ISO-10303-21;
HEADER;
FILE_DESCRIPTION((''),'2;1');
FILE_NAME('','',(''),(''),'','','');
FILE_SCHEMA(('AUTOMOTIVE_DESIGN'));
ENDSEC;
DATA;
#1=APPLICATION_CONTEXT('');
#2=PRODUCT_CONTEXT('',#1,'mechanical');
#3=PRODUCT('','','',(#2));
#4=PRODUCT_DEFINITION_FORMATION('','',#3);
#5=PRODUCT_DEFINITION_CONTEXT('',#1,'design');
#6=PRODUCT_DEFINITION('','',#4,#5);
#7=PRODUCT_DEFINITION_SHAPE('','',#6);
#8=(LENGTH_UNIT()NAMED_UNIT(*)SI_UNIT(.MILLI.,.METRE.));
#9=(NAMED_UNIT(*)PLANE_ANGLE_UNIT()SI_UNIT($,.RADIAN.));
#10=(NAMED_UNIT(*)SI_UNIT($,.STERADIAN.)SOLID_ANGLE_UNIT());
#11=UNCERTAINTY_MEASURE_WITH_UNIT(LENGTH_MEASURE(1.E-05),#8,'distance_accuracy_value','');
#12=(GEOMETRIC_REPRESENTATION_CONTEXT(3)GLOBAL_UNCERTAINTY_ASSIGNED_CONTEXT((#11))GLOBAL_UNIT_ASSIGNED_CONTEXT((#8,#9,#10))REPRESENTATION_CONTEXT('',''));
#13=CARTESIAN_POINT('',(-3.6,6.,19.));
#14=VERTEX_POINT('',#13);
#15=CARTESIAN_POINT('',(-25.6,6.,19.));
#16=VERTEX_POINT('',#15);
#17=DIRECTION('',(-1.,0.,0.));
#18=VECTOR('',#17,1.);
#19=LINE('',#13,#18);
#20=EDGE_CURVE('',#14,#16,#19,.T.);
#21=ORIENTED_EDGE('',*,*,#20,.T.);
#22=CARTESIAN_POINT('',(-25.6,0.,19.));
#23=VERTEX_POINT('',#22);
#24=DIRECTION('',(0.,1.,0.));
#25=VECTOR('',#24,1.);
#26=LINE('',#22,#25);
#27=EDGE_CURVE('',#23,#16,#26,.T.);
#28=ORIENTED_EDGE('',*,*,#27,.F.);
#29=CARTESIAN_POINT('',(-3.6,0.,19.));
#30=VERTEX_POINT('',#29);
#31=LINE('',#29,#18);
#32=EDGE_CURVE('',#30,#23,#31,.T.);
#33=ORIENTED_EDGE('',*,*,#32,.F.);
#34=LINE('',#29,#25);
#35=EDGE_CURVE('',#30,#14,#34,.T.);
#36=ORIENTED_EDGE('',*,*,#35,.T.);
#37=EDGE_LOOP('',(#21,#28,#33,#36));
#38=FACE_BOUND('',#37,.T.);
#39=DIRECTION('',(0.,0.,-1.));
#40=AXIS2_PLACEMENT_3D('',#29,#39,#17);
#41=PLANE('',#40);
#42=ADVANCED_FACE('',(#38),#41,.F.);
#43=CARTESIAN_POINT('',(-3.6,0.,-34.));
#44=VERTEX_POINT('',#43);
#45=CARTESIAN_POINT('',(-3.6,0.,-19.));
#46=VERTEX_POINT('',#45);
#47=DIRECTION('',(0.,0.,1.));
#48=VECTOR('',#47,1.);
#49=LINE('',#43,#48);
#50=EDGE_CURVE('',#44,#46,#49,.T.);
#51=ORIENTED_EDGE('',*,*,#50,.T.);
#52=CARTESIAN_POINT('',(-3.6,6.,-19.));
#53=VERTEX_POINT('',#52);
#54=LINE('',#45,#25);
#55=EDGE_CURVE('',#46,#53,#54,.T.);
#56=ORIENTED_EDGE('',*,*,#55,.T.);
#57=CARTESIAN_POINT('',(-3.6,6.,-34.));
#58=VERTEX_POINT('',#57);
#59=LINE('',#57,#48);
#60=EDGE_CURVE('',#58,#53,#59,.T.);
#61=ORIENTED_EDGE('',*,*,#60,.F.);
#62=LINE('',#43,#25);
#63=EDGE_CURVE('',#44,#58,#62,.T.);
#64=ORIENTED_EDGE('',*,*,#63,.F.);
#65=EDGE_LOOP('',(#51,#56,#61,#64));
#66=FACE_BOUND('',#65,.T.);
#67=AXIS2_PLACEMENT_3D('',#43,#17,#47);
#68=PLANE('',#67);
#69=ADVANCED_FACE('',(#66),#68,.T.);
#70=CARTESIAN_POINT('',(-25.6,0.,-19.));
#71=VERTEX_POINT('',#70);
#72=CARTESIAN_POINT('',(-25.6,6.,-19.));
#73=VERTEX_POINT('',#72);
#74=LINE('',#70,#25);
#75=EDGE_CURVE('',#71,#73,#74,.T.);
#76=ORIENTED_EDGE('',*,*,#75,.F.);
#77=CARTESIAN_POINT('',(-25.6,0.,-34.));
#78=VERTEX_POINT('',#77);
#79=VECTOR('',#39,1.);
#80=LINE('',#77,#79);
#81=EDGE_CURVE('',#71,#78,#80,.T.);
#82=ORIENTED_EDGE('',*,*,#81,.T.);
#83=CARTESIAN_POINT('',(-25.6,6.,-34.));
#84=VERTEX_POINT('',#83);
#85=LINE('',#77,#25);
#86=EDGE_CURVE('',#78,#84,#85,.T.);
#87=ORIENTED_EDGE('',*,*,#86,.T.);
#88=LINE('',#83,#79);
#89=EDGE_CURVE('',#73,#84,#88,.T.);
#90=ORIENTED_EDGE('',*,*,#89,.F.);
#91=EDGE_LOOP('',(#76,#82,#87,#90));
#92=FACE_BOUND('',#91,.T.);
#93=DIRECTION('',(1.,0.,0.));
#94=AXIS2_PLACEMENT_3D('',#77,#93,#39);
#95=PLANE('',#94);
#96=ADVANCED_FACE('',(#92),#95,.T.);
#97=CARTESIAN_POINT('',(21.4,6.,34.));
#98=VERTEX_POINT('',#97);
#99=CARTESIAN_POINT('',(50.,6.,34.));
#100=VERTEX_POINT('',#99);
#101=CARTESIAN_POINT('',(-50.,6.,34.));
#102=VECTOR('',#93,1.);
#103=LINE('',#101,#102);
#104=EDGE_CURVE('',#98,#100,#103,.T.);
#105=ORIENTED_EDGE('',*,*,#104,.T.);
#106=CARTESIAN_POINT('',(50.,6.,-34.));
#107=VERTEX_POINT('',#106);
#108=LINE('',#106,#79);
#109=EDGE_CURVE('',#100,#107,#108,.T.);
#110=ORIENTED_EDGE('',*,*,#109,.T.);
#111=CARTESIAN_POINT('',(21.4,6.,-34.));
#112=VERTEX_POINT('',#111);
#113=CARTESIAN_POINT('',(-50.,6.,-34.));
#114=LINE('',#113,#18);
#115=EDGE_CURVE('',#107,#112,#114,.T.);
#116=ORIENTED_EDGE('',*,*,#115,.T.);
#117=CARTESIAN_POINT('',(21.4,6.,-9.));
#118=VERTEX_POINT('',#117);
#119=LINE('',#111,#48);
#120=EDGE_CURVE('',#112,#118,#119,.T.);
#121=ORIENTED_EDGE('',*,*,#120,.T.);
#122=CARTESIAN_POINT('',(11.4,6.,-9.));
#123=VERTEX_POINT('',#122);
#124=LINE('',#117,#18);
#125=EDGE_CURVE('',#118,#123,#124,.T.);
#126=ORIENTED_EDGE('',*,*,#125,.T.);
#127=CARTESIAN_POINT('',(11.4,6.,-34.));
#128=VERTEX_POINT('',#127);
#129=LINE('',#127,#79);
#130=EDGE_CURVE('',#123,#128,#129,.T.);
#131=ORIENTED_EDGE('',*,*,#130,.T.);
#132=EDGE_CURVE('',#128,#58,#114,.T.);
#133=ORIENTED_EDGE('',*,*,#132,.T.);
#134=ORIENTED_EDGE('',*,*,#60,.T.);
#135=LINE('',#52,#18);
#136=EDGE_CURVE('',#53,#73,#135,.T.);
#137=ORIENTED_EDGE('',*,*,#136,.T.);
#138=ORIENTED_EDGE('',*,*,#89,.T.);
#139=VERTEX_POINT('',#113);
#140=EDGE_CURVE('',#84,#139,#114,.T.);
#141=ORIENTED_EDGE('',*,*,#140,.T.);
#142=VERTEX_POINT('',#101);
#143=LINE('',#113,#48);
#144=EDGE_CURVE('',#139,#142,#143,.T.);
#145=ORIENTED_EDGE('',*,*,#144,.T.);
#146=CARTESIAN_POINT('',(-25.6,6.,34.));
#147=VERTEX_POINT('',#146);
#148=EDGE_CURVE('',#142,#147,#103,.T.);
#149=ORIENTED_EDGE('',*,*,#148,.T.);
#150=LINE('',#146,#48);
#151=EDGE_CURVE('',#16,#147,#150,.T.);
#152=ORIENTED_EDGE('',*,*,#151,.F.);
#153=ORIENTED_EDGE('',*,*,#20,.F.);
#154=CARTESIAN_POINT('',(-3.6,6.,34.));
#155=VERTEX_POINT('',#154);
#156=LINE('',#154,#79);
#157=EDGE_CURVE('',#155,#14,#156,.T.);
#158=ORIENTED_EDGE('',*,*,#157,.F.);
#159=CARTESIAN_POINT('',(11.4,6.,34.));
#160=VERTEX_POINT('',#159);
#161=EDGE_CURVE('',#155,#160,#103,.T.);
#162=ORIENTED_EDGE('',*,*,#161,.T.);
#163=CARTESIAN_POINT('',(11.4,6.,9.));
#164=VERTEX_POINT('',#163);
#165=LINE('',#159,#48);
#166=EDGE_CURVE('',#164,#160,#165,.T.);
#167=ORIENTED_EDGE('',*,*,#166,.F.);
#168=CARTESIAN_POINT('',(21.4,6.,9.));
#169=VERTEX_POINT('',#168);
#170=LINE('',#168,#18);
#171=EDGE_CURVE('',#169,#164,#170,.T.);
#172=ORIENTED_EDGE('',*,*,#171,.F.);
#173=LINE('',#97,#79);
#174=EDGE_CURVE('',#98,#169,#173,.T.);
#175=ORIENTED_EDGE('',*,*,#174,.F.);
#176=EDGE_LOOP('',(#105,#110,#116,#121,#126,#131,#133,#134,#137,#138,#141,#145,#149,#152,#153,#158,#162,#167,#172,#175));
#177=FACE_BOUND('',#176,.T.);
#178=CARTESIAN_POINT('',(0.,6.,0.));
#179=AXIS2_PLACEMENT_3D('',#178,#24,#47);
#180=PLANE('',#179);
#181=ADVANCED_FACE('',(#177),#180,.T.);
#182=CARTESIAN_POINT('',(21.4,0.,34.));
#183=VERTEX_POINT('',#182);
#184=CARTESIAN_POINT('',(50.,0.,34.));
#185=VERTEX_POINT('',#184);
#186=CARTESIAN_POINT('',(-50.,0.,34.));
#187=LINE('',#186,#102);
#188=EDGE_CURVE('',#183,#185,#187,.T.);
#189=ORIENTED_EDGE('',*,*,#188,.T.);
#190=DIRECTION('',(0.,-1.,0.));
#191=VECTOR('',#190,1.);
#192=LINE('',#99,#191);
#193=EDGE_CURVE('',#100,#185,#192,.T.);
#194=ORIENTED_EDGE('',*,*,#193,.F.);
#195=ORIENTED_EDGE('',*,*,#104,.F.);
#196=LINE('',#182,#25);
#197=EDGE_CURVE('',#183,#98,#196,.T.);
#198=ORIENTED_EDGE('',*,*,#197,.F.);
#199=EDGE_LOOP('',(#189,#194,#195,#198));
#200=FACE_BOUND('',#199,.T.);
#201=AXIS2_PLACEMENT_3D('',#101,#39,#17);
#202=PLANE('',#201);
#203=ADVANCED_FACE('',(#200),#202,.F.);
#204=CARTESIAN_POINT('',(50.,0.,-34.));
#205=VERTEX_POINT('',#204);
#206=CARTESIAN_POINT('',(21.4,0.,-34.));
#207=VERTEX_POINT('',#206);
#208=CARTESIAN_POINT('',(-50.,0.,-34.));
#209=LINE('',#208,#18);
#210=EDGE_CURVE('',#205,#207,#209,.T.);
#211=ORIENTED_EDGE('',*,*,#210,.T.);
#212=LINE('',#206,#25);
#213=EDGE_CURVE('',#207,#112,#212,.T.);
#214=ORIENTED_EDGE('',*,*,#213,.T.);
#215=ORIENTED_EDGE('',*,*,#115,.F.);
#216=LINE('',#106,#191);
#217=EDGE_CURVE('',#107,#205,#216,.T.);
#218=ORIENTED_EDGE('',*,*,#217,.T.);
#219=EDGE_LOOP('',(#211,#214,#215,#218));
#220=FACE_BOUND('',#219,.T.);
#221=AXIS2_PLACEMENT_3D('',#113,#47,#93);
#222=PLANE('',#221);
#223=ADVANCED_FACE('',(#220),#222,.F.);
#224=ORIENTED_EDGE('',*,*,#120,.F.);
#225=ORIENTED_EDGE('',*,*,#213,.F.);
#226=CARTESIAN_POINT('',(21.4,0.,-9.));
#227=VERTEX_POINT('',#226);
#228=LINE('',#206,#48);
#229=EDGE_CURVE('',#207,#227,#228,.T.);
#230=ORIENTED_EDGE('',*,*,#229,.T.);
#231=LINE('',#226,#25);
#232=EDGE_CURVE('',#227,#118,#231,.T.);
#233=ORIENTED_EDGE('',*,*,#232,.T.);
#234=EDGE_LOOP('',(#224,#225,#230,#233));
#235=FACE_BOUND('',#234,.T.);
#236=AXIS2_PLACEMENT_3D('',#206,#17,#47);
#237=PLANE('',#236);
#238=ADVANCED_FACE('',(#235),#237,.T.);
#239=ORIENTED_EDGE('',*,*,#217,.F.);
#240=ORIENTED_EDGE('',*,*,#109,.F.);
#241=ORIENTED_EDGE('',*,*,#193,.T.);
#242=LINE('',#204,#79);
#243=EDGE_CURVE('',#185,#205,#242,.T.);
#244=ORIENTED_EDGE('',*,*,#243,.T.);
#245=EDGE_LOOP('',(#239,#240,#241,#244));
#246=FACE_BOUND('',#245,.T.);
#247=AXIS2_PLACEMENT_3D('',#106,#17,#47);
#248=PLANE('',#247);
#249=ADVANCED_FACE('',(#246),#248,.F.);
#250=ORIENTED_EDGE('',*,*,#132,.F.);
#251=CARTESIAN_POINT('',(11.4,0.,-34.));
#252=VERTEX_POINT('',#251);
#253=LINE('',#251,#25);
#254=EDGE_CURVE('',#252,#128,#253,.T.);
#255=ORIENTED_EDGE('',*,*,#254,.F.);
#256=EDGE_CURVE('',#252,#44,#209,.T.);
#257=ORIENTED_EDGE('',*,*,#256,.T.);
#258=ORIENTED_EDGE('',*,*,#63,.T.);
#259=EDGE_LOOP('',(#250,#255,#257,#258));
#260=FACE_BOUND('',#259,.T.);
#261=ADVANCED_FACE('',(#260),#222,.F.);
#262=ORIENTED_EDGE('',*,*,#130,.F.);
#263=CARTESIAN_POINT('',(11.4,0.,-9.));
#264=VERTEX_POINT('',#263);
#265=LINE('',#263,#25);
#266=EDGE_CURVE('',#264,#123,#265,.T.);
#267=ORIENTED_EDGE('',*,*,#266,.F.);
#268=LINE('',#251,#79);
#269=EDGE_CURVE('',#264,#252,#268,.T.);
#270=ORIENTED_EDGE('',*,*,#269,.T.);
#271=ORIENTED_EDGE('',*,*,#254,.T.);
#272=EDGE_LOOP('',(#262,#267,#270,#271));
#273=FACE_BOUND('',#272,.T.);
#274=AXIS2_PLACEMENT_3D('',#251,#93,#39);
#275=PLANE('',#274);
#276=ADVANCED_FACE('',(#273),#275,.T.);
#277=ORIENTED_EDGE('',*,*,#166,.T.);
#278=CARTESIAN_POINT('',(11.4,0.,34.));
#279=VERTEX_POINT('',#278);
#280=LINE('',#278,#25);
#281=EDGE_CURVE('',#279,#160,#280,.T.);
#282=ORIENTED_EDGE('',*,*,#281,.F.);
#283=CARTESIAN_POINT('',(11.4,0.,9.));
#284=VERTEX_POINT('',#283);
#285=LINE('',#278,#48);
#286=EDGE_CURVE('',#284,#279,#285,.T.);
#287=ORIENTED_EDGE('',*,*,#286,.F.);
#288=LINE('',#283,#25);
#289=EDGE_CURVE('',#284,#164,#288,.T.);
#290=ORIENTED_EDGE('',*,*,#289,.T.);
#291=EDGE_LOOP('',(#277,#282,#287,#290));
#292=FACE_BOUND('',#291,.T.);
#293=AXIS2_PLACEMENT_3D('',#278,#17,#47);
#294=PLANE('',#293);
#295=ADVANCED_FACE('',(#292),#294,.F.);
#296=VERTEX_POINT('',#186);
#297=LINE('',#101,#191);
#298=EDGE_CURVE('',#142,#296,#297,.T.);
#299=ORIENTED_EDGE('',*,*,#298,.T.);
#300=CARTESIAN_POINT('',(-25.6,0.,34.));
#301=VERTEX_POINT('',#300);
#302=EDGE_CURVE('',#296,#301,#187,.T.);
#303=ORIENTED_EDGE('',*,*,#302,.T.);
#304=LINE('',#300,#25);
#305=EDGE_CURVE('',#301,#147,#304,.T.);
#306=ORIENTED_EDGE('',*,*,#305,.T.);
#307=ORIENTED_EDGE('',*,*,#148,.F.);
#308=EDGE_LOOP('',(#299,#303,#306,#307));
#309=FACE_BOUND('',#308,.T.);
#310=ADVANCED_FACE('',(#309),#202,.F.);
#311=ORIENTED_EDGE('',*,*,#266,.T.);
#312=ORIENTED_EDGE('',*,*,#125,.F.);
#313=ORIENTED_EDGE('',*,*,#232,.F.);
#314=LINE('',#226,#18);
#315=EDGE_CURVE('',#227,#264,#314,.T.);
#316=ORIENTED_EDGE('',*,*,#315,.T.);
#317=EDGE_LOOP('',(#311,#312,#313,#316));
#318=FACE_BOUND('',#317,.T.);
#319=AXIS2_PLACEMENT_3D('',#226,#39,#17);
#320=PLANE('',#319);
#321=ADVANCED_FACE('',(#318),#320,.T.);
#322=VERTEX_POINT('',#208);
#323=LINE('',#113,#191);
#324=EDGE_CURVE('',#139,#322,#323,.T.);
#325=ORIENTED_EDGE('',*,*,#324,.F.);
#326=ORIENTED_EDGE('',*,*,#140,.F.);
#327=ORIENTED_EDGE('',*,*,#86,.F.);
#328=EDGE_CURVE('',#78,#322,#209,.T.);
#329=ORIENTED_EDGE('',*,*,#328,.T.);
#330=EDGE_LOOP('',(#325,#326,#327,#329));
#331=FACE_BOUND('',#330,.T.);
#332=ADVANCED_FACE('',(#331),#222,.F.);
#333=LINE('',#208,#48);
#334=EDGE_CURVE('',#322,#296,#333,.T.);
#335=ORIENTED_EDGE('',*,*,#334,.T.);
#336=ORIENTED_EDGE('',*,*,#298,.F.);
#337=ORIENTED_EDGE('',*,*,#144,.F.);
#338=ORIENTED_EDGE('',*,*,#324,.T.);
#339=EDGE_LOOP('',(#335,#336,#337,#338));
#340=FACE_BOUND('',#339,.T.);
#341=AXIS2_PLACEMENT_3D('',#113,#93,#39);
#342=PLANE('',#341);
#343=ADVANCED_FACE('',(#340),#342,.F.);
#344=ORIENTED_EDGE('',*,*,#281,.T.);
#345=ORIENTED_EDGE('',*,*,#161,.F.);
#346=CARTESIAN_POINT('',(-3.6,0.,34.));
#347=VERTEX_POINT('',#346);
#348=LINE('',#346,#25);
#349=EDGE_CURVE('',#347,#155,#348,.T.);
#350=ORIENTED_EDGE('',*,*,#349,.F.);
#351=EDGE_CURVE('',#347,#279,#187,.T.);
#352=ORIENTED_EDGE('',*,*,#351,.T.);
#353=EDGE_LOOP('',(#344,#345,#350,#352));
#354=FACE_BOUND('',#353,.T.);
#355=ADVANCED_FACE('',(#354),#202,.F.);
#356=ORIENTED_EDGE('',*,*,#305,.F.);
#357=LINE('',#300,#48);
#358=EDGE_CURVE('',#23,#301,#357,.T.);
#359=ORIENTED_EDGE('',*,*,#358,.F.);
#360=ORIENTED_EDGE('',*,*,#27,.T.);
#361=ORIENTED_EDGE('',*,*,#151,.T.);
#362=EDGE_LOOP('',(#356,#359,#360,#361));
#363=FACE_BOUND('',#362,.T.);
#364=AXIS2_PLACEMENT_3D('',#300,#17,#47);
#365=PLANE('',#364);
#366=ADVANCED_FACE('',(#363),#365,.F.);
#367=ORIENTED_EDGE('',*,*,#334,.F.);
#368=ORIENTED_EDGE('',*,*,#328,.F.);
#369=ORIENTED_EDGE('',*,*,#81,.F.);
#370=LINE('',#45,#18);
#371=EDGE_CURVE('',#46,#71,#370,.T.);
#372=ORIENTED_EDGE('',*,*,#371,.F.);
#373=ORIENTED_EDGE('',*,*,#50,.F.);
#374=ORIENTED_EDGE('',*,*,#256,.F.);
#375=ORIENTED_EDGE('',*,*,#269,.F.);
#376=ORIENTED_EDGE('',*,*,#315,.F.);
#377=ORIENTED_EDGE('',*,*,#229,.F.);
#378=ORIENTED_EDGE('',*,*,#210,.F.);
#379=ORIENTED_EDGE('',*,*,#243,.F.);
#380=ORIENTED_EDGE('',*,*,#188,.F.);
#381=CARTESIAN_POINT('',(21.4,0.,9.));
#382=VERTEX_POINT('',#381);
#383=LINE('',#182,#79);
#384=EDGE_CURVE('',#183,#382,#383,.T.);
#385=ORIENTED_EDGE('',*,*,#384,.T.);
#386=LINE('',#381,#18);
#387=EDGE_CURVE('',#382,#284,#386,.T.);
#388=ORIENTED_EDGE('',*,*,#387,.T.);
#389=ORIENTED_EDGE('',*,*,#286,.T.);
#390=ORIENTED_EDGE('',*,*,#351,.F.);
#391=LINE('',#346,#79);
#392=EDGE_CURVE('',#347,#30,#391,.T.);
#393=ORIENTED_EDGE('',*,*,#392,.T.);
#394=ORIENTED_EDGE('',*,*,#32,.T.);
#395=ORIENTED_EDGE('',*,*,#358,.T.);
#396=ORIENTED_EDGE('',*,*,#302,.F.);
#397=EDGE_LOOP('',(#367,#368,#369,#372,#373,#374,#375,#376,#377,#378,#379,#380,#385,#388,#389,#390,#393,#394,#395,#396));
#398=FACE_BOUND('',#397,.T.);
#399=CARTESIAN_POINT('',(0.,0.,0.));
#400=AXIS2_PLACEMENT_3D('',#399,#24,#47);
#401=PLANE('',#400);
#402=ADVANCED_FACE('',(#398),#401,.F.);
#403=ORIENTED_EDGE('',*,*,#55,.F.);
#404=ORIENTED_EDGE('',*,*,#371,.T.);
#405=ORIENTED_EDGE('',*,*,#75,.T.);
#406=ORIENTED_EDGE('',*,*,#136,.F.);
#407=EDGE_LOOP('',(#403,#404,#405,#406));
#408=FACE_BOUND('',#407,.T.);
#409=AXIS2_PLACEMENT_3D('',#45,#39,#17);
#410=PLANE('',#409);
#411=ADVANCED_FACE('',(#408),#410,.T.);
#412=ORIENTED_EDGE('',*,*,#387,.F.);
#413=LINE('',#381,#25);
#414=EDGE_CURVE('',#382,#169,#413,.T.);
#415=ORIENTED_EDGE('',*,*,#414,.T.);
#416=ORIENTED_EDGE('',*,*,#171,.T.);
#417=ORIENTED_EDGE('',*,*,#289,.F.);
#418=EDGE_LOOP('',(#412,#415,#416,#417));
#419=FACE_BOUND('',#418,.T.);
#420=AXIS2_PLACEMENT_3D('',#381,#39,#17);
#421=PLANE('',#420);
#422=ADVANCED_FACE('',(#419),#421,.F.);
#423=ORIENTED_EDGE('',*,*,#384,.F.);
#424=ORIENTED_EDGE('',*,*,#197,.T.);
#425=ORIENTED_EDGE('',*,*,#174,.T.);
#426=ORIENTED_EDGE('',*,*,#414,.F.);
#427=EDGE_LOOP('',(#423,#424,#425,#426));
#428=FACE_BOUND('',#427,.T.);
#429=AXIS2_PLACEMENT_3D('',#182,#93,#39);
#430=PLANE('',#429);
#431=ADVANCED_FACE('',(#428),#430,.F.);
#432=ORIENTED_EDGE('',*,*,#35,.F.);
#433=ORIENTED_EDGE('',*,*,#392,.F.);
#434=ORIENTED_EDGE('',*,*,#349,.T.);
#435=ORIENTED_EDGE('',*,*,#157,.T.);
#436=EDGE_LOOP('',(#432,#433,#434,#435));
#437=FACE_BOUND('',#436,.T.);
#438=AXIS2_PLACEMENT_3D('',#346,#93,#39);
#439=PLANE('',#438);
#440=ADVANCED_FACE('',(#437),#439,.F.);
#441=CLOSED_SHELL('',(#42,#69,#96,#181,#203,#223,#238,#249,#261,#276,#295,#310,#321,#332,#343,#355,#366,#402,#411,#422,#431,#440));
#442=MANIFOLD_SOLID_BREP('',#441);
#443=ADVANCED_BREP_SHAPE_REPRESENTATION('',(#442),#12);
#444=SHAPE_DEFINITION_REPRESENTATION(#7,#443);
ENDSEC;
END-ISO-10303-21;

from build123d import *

# Parameters (mm, degrees)
SKETCH1_W           = 100
SKETCH1_H           = 68
BOSS_EXTRUDE1_DEPTH = 6
SKETCH2_W           = 10
SKETCH2_H           = 25
SKETCH2_W_2         = 22
SKETCH2_H_2         = 15
CUT_EXTRUDE1_DEPTH  = 7


with BuildPart() as part:
    # Sketch1 → Boss-Extrude1 (new body)
    with BuildSketch(Plane(origin=(0, 0, 0), x_dir=(1, 0, 0), z_dir=(0, 1, 0))):
        Rectangle(SKETCH1_W, SKETCH1_H)
    extrude(amount=BOSS_EXTRUDE1_DEPTH)

    # Sketch2 → Cut-Extrude1 (cut, through all)
    with BuildSketch(Plane(origin=(0, 6, 0), x_dir=(1, 0, 0), z_dir=(0, 1, 0))):
        with Locations((16.4, -21.5)):
            Rectangle(SKETCH2_W, SKETCH2_H)
        with Locations((-14.6, -26.5)):
            Rectangle(SKETCH2_W_2, SKETCH2_H_2)
    cut_extrude1 = extrude(amount=-CUT_EXTRUDE1_DEPTH, mode=Mode.SUBTRACT)

    # Mirror1: Cut-Extrude1 across plane
    add(cut_extrude1.mirror(Plane.XY), mode=Mode.SUBTRACT)


solid = part.part
